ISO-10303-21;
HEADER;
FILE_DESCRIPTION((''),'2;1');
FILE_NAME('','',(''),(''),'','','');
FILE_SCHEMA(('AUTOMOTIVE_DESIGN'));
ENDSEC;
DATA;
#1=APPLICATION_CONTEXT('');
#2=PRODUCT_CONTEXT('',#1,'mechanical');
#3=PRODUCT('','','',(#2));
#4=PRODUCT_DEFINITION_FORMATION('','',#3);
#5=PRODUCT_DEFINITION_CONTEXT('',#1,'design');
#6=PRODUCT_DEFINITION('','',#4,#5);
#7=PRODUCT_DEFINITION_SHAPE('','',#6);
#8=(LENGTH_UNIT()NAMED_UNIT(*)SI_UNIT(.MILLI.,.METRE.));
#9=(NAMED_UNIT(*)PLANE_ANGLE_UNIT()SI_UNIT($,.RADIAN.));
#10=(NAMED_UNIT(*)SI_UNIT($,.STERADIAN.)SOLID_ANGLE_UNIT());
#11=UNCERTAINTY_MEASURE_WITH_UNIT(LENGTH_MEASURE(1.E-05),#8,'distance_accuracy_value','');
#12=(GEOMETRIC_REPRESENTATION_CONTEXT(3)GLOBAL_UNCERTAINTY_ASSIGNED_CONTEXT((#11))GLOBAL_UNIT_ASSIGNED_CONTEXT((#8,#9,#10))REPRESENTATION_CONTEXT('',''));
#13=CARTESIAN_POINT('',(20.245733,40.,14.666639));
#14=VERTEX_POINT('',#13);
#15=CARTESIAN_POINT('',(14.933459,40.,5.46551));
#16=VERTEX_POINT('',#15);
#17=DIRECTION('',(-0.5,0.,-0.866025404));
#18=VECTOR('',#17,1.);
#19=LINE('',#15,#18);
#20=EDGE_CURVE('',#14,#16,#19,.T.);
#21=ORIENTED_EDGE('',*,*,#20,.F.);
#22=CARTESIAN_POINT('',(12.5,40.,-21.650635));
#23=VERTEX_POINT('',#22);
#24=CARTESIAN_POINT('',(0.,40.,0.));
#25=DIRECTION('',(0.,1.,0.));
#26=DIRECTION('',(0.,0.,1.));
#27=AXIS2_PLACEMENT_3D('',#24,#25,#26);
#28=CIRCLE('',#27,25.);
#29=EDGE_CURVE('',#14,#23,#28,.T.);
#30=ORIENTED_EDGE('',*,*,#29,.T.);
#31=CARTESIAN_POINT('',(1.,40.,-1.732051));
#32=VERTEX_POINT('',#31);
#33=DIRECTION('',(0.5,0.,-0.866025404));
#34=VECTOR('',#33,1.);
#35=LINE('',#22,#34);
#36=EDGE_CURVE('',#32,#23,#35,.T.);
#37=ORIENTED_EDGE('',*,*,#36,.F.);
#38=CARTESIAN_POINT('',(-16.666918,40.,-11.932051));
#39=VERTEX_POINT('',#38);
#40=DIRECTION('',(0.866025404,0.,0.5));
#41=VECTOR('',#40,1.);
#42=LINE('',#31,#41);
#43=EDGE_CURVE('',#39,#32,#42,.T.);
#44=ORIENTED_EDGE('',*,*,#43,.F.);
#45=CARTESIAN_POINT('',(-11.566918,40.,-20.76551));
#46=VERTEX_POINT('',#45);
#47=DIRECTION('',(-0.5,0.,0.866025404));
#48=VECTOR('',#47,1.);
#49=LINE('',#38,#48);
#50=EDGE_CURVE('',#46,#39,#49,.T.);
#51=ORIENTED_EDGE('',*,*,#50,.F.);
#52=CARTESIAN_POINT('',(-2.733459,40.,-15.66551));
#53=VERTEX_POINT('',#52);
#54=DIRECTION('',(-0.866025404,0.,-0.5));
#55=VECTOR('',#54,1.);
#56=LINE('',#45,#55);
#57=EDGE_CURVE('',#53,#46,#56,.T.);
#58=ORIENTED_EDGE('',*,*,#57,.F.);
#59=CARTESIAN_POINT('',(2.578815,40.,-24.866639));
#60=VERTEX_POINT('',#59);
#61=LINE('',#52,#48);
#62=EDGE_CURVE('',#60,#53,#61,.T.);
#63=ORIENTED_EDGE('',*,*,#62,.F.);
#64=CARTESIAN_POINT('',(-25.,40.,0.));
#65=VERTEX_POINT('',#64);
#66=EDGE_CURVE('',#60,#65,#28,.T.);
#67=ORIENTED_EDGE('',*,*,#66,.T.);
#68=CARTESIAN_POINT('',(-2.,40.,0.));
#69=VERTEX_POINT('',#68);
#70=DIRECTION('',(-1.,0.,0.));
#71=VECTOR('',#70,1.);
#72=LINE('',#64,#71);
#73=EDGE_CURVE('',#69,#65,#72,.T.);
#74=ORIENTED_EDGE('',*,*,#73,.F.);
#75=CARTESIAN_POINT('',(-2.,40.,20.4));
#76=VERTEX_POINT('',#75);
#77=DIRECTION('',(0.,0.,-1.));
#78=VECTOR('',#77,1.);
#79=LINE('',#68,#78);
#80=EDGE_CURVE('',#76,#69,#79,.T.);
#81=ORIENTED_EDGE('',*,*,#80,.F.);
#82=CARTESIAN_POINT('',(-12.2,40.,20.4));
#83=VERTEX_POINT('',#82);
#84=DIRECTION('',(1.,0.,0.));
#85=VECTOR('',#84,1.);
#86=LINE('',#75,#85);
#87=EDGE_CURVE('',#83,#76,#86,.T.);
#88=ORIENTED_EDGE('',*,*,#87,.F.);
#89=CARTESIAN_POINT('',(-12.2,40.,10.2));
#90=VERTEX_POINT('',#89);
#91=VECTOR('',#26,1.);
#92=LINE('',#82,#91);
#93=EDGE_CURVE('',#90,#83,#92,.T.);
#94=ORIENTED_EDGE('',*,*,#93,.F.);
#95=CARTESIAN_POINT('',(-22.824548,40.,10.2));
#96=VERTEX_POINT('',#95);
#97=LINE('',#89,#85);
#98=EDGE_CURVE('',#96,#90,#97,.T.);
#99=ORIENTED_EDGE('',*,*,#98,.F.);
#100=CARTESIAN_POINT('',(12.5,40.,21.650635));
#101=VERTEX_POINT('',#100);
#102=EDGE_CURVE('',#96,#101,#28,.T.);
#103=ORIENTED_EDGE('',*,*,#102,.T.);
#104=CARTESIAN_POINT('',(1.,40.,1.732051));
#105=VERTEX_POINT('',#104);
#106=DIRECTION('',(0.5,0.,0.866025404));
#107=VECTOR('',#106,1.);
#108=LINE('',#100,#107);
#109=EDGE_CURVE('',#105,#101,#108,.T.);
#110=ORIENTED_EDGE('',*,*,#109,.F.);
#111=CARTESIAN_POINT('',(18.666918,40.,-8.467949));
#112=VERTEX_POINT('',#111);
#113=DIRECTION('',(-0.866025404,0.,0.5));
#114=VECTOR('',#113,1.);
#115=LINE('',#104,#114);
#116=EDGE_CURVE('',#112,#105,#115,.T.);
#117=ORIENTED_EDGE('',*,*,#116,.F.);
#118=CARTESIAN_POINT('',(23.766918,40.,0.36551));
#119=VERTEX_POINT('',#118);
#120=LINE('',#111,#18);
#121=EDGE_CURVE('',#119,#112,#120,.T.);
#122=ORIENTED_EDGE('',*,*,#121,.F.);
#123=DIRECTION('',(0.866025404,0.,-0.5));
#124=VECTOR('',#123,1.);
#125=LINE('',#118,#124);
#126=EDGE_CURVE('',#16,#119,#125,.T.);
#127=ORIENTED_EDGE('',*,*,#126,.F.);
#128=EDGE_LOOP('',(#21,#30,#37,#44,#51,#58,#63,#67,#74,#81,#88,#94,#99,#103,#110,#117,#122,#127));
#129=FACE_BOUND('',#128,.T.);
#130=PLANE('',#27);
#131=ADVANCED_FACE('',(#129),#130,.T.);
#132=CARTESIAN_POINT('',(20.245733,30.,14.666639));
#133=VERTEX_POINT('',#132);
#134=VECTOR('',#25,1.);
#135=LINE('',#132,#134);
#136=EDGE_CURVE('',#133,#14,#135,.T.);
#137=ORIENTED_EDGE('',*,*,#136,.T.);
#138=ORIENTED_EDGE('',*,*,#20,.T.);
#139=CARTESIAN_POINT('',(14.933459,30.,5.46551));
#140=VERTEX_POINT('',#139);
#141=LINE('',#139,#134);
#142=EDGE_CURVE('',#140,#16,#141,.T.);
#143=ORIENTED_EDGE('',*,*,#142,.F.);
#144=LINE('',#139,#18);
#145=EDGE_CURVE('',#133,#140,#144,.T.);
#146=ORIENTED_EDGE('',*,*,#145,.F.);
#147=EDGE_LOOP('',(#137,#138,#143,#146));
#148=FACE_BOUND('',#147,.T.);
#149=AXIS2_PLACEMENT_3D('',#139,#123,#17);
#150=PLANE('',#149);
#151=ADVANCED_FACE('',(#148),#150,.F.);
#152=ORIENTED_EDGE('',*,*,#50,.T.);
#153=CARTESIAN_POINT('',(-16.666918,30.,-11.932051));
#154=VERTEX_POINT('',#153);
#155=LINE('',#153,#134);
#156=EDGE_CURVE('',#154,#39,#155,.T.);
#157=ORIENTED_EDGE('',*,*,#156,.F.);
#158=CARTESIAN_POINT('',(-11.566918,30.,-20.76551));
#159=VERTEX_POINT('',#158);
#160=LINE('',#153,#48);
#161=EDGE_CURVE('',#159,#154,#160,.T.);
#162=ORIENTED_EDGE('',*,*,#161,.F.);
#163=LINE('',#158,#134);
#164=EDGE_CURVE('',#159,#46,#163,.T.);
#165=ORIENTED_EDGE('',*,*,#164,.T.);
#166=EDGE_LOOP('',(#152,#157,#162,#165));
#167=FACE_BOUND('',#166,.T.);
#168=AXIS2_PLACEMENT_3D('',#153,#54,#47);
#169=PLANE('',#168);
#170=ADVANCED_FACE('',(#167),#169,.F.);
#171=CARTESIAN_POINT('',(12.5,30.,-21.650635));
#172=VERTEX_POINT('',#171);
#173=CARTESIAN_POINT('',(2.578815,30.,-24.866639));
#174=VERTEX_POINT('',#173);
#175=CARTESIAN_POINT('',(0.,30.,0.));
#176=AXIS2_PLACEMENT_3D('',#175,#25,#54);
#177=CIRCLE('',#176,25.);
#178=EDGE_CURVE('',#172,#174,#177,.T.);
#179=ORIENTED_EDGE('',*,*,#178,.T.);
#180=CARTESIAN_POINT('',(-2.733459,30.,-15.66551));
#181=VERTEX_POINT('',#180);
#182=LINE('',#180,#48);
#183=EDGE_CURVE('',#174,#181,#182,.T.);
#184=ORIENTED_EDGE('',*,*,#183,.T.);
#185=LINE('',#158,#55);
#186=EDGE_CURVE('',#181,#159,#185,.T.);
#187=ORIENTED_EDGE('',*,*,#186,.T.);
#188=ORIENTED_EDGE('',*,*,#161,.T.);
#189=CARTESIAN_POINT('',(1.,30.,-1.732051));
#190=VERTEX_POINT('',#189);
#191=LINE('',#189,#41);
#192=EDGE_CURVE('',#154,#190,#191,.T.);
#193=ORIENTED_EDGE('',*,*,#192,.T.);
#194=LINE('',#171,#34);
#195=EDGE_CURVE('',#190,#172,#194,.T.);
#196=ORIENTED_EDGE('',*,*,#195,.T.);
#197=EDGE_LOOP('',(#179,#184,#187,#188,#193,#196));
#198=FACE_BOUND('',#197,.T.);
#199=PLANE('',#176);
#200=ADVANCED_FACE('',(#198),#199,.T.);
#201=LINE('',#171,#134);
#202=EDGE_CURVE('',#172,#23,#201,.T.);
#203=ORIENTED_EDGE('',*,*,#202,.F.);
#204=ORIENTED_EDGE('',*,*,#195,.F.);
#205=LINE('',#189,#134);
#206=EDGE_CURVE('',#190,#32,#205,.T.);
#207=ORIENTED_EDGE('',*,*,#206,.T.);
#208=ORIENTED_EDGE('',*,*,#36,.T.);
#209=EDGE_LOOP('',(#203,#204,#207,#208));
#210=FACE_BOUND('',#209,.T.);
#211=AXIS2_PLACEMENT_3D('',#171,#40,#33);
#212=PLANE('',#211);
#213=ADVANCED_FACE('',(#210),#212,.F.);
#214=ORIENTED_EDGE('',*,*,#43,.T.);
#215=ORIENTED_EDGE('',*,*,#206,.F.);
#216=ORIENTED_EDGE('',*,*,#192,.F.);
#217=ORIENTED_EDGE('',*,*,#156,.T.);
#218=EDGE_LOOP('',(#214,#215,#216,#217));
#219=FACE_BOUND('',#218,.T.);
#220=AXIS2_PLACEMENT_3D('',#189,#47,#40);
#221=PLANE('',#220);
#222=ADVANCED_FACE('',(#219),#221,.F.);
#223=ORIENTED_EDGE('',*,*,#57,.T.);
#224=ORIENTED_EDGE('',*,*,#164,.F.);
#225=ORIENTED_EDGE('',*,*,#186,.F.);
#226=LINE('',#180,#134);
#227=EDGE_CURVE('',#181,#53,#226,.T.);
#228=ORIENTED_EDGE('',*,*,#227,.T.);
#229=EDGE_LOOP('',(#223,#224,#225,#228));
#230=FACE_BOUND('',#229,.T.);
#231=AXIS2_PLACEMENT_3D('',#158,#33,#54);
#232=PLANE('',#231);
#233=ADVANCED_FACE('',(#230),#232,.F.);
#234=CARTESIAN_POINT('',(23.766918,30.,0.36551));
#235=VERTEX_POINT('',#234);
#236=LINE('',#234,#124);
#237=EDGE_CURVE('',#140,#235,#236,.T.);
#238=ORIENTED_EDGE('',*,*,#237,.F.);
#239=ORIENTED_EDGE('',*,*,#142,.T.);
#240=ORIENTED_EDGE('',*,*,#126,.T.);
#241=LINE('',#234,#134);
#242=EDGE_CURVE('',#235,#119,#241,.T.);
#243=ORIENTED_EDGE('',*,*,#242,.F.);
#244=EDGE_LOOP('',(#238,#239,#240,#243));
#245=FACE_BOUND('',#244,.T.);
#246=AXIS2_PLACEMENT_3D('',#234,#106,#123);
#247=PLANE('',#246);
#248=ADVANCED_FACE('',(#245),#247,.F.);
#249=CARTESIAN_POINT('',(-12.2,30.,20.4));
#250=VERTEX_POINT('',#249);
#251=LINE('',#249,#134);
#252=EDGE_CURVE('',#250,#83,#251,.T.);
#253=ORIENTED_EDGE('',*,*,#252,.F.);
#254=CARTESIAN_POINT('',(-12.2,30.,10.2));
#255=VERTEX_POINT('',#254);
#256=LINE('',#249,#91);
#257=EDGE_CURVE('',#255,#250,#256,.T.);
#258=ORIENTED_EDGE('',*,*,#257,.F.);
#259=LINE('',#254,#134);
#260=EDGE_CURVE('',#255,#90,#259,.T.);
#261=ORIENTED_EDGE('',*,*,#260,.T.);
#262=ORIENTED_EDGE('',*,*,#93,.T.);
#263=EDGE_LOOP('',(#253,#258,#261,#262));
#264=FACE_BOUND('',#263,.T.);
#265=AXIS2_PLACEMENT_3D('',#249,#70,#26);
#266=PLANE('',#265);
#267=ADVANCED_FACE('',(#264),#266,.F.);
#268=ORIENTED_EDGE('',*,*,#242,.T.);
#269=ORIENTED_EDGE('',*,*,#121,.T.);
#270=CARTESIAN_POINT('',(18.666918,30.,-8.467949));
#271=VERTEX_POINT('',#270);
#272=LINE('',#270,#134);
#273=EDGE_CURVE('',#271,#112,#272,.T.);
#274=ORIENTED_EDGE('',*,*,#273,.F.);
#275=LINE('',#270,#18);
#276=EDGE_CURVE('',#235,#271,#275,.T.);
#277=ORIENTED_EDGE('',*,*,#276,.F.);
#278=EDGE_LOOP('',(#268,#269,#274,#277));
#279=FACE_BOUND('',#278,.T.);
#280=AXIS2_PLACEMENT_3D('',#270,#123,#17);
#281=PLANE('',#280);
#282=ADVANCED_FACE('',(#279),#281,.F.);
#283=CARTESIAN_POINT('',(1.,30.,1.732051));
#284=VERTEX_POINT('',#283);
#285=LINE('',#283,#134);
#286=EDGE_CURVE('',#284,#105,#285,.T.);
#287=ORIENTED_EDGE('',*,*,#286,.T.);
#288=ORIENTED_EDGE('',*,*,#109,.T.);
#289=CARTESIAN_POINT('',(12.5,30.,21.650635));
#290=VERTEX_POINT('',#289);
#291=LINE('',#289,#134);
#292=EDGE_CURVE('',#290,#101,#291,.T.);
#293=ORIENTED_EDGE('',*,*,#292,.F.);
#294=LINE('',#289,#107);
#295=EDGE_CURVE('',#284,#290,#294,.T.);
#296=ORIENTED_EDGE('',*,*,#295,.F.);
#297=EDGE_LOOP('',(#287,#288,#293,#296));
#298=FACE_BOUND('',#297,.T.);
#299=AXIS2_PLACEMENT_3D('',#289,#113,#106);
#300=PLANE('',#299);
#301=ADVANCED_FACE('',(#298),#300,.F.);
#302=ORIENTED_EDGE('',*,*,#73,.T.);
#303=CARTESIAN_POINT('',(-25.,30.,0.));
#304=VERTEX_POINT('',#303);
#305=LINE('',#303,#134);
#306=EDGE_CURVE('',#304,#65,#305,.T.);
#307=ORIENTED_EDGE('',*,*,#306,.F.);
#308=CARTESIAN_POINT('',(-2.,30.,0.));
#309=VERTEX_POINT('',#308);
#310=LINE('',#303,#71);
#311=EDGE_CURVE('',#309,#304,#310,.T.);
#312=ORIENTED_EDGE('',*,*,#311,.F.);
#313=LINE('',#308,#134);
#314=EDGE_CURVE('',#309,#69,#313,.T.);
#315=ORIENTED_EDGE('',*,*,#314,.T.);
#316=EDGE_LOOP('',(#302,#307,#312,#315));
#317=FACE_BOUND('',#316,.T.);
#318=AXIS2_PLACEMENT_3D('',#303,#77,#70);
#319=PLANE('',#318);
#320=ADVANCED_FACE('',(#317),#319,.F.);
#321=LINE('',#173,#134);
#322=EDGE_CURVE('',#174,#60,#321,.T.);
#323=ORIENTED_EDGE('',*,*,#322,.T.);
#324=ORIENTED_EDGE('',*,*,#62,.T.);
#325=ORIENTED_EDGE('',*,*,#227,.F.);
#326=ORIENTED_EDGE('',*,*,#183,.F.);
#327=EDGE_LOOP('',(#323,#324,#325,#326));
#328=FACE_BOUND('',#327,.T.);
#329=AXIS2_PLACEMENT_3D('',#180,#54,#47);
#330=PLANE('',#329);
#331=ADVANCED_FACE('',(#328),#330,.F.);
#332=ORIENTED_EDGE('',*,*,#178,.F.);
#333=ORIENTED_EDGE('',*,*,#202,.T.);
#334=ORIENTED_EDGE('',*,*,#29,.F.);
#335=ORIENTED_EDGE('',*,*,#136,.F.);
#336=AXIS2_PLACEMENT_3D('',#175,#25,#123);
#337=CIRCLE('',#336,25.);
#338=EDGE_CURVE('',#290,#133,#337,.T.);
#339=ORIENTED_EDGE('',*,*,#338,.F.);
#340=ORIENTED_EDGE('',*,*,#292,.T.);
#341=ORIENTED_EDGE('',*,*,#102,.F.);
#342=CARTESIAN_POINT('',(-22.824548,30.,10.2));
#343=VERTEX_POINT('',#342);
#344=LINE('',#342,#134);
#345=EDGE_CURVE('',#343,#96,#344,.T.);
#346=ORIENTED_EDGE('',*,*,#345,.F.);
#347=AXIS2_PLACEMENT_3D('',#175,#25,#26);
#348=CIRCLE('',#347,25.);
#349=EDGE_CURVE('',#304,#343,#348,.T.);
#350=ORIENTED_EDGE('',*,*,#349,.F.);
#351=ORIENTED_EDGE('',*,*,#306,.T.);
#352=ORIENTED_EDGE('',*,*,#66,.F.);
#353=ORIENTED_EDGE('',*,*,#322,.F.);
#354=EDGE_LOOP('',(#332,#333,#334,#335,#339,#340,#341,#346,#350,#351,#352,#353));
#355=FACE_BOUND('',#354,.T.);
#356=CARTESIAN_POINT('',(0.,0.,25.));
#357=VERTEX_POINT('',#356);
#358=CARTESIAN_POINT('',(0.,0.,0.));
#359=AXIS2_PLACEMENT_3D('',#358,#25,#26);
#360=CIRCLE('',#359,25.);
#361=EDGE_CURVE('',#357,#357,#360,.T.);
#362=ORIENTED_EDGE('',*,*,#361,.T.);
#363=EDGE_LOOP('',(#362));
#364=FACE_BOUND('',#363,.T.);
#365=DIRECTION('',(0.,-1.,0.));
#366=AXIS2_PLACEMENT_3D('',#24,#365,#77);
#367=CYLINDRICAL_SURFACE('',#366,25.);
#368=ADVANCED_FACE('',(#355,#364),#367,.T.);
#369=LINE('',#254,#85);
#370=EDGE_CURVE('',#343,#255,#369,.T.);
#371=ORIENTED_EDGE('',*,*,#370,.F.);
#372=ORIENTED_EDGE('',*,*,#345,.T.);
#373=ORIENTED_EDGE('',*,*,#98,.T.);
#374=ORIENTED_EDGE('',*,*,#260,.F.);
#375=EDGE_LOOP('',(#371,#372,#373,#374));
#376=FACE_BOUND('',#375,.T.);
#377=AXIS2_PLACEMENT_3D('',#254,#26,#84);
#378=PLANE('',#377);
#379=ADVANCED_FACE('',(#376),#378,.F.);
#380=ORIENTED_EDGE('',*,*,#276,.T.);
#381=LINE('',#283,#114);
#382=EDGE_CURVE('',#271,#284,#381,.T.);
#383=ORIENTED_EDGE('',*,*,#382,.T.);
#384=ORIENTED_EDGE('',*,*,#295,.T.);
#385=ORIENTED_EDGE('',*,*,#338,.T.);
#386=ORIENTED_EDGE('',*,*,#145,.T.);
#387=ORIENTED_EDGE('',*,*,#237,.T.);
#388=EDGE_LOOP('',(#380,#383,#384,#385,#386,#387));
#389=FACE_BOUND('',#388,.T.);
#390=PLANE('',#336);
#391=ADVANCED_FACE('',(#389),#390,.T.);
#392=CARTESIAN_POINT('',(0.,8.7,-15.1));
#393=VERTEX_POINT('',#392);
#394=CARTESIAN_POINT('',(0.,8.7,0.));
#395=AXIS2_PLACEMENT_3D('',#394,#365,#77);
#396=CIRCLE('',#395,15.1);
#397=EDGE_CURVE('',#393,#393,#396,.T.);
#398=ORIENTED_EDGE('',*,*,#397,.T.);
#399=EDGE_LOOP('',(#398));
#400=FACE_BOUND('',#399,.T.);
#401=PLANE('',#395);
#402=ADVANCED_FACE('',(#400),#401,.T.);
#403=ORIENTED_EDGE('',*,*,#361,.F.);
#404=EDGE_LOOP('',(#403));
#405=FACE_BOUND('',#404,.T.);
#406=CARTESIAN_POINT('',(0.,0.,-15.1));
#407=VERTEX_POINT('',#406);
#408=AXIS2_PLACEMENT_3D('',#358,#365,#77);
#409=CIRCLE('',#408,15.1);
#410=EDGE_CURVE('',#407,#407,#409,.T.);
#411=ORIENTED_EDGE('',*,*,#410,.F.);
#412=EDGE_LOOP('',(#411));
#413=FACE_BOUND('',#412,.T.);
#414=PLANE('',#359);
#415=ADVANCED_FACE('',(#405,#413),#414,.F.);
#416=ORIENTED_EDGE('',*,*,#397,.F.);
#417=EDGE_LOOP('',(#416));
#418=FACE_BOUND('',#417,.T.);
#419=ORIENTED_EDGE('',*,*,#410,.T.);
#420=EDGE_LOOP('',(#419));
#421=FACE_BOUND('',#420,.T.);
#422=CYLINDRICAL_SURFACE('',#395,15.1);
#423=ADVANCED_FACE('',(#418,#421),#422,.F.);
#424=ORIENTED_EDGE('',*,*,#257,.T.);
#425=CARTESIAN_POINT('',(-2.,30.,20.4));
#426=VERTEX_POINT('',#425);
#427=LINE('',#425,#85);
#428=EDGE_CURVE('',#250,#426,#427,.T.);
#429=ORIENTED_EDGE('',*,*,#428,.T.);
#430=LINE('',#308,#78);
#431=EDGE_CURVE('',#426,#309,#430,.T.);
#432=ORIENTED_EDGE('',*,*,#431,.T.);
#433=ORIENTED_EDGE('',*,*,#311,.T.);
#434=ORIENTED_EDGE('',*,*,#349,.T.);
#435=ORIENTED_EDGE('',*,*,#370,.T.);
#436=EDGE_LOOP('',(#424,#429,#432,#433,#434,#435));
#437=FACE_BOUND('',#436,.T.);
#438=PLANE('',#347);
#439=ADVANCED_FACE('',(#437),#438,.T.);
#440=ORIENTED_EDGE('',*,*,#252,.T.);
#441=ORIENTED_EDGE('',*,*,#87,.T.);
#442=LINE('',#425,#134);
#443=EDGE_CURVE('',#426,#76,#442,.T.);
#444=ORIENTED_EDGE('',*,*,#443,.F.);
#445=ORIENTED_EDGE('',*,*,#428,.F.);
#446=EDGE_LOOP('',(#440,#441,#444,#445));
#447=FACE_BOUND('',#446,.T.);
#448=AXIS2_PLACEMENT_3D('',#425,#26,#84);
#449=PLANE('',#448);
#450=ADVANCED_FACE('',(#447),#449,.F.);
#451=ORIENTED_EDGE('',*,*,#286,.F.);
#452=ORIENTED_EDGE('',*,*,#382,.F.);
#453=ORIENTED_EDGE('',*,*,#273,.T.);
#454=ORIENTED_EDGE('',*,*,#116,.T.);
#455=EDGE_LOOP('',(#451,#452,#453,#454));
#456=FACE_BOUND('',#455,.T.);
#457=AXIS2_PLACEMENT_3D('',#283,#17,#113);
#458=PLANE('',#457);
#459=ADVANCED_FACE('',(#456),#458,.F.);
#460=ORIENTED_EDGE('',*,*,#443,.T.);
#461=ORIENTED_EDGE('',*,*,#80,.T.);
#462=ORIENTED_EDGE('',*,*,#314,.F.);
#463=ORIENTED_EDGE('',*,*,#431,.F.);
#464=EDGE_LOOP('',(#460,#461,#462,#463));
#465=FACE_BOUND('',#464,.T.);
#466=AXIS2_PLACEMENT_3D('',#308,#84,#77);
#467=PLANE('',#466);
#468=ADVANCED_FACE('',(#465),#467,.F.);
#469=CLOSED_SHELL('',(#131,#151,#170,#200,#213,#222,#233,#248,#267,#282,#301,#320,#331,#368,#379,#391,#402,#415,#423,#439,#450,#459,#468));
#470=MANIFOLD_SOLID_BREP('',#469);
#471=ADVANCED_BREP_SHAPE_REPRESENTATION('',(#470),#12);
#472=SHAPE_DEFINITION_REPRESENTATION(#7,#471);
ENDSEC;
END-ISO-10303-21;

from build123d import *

# Parameters (mm, degrees)
SKETCH1_R           = 25
BOSS_EXTRUDE1_DEPTH = 40
CUT_EXTRUDE1_START  = -10
CUT_EXTRUDE1_DEPTH  = 10
CIRPATTERN1_COUNT   = 3
SKETCH7_R           = 15.1
CUT_EXTRUDE3_DEPTH  = 8.7


with BuildPart() as part:
    # Sketch1 → Boss-Extrude1 (new body)
    with BuildSketch(Plane(origin=(0, 0, 0), x_dir=(1, 0, 0), z_dir=(0, 1, 0))):
        with Locations(Location((0, 0, 0), (0, 0, 270))):
            Circle(SKETCH1_R)
    extrude(amount=BOSS_EXTRUDE1_DEPTH)

    # Sketch2 → Cut-Extrude1 (cut)
    with BuildSketch(Plane(origin=(0, 40, 0), x_dir=(1, 0, 0), z_dir=(0, 1, 0)).offset(CUT_EXTRUDE1_START)):
        with BuildLine():
            Line((-25, 0), (-2, 0))
            Line((-2, 0), (-2, -20.4))
            Line((-2, -20.4), (-12.2, -20.4))
            Line((-12.2, -20.4), (-12.2, -10.2))
            Line((-12.2, -10.2), (-22.824548188, -10.2))
            ThreePointArc((-22.824548188, -10.2), (-24.450089005, -5.214704943), (-25, 0))
        make_face()
    cut_extrude1 = extrude(amount=CUT_EXTRUDE1_DEPTH, mode=Mode.SUBTRACT)

    # CirPattern1: Cut-Extrude1 ×3 about axis
    cirpattern1_axis = Axis((0, 0, 0), (0, 1, 0))
    for i in range(1, CIRPATTERN1_COUNT):
        add(cut_extrude1.rotate(cirpattern1_axis, i * 360 / CIRPATTERN1_COUNT), mode=Mode.SUBTRACT)

    # Sketch7 → Cut-Extrude3 (cut)
    with BuildSketch(Plane.XZ):
        with Locations(Location((0, 0, 0), (0, 0, 270))):
            Circle(SKETCH7_R)
    extrude(amount=-CUT_EXTRUDE3_DEPTH, mode=Mode.SUBTRACT)


solid = part.part
